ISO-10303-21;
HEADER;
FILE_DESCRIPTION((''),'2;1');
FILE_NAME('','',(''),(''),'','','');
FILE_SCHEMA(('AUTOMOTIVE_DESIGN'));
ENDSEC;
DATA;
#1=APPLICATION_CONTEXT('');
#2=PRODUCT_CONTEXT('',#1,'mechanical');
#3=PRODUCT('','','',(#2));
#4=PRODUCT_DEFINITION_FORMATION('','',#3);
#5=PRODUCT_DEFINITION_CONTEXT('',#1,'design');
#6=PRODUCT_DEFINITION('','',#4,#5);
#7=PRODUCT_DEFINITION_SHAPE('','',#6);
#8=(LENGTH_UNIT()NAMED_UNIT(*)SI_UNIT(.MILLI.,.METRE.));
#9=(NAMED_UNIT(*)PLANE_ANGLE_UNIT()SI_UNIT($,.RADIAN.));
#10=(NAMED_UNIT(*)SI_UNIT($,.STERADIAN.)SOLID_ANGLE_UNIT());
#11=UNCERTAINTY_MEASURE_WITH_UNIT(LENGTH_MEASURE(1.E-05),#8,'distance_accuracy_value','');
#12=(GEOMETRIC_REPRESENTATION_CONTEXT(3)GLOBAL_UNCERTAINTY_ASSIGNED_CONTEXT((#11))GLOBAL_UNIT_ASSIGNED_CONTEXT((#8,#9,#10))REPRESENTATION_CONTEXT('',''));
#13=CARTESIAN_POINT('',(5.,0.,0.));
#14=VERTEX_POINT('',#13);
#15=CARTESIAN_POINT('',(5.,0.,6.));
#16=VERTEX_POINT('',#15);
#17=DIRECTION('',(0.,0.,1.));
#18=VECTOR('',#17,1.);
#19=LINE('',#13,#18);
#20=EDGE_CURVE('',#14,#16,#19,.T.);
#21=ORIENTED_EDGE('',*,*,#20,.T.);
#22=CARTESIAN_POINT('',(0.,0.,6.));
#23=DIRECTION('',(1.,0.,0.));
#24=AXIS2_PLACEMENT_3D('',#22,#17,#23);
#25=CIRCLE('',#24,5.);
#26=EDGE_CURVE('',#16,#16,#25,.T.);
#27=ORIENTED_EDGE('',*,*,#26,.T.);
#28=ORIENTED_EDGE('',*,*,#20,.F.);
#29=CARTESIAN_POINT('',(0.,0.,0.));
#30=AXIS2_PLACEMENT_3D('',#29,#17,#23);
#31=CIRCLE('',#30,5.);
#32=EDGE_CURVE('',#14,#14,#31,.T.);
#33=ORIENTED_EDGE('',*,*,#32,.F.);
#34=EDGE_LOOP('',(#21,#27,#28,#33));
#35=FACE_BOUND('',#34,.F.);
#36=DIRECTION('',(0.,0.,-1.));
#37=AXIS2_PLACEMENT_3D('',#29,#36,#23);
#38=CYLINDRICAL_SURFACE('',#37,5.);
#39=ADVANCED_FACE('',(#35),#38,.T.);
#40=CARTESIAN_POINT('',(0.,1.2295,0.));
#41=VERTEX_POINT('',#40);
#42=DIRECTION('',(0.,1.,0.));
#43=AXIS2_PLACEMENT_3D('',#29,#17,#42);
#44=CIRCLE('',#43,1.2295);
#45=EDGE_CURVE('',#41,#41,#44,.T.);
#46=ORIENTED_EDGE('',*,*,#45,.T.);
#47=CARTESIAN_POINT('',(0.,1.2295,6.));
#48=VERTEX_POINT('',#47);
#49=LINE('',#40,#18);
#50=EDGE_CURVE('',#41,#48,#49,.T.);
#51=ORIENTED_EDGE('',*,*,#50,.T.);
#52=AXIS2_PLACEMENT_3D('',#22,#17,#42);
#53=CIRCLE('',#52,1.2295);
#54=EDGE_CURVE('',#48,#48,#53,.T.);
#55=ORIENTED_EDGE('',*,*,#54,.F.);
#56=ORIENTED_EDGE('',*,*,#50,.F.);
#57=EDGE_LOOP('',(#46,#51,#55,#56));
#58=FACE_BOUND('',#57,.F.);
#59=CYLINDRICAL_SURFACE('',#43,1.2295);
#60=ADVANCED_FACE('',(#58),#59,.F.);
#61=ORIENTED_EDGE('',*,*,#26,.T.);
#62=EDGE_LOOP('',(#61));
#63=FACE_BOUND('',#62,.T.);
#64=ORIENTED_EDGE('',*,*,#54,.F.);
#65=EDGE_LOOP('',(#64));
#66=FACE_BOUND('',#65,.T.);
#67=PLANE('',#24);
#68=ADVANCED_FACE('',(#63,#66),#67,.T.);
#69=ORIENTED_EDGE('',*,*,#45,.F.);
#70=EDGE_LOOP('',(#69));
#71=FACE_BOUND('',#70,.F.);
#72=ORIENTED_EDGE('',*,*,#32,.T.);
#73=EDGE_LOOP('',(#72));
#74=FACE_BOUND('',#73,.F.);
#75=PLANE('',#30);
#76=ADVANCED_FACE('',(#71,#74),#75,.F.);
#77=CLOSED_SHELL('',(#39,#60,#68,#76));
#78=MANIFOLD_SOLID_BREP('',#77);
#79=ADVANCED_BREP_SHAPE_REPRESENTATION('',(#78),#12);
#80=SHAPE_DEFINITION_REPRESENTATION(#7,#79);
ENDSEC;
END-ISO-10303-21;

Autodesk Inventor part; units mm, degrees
ref_plane "YZ Plane" through (0, 0, 0) normal (1, 0, 0) x (0, 1, 0)
ref_plane "XZ Plane" through (0, 0, 0) normal (0, 1, 0) x (-1, 0, 0)
ref_plane "XY Plane" through (0, 0, 0) normal (0, 0, 1) x (1, 0, 0)
sketch "スケッチ1" plane through (0, 0, 0) normal (0, 0, 1) x (1, 0, 0)
  circle A0 centre (0, 0) radius 5
  dimension "d0" = 10
extrude "押し出し1" add sketch "スケッチ1" along normal blind 6
sketch "スケッチ2" plane through (0, 0, 0) normal (0, 0, -1) x (-1, 0, 0)
  circle A0 centre (0, 0) radius 5 projected
hole "穴1" at (0, 0, 0) direction (0, 0, 1) diameter 2.459 depth 10 thread size "M3x0.5" class "6H" standard "ISO Metric profile"
properties part number "shortshaft2" material "アルミニウム 6061"
